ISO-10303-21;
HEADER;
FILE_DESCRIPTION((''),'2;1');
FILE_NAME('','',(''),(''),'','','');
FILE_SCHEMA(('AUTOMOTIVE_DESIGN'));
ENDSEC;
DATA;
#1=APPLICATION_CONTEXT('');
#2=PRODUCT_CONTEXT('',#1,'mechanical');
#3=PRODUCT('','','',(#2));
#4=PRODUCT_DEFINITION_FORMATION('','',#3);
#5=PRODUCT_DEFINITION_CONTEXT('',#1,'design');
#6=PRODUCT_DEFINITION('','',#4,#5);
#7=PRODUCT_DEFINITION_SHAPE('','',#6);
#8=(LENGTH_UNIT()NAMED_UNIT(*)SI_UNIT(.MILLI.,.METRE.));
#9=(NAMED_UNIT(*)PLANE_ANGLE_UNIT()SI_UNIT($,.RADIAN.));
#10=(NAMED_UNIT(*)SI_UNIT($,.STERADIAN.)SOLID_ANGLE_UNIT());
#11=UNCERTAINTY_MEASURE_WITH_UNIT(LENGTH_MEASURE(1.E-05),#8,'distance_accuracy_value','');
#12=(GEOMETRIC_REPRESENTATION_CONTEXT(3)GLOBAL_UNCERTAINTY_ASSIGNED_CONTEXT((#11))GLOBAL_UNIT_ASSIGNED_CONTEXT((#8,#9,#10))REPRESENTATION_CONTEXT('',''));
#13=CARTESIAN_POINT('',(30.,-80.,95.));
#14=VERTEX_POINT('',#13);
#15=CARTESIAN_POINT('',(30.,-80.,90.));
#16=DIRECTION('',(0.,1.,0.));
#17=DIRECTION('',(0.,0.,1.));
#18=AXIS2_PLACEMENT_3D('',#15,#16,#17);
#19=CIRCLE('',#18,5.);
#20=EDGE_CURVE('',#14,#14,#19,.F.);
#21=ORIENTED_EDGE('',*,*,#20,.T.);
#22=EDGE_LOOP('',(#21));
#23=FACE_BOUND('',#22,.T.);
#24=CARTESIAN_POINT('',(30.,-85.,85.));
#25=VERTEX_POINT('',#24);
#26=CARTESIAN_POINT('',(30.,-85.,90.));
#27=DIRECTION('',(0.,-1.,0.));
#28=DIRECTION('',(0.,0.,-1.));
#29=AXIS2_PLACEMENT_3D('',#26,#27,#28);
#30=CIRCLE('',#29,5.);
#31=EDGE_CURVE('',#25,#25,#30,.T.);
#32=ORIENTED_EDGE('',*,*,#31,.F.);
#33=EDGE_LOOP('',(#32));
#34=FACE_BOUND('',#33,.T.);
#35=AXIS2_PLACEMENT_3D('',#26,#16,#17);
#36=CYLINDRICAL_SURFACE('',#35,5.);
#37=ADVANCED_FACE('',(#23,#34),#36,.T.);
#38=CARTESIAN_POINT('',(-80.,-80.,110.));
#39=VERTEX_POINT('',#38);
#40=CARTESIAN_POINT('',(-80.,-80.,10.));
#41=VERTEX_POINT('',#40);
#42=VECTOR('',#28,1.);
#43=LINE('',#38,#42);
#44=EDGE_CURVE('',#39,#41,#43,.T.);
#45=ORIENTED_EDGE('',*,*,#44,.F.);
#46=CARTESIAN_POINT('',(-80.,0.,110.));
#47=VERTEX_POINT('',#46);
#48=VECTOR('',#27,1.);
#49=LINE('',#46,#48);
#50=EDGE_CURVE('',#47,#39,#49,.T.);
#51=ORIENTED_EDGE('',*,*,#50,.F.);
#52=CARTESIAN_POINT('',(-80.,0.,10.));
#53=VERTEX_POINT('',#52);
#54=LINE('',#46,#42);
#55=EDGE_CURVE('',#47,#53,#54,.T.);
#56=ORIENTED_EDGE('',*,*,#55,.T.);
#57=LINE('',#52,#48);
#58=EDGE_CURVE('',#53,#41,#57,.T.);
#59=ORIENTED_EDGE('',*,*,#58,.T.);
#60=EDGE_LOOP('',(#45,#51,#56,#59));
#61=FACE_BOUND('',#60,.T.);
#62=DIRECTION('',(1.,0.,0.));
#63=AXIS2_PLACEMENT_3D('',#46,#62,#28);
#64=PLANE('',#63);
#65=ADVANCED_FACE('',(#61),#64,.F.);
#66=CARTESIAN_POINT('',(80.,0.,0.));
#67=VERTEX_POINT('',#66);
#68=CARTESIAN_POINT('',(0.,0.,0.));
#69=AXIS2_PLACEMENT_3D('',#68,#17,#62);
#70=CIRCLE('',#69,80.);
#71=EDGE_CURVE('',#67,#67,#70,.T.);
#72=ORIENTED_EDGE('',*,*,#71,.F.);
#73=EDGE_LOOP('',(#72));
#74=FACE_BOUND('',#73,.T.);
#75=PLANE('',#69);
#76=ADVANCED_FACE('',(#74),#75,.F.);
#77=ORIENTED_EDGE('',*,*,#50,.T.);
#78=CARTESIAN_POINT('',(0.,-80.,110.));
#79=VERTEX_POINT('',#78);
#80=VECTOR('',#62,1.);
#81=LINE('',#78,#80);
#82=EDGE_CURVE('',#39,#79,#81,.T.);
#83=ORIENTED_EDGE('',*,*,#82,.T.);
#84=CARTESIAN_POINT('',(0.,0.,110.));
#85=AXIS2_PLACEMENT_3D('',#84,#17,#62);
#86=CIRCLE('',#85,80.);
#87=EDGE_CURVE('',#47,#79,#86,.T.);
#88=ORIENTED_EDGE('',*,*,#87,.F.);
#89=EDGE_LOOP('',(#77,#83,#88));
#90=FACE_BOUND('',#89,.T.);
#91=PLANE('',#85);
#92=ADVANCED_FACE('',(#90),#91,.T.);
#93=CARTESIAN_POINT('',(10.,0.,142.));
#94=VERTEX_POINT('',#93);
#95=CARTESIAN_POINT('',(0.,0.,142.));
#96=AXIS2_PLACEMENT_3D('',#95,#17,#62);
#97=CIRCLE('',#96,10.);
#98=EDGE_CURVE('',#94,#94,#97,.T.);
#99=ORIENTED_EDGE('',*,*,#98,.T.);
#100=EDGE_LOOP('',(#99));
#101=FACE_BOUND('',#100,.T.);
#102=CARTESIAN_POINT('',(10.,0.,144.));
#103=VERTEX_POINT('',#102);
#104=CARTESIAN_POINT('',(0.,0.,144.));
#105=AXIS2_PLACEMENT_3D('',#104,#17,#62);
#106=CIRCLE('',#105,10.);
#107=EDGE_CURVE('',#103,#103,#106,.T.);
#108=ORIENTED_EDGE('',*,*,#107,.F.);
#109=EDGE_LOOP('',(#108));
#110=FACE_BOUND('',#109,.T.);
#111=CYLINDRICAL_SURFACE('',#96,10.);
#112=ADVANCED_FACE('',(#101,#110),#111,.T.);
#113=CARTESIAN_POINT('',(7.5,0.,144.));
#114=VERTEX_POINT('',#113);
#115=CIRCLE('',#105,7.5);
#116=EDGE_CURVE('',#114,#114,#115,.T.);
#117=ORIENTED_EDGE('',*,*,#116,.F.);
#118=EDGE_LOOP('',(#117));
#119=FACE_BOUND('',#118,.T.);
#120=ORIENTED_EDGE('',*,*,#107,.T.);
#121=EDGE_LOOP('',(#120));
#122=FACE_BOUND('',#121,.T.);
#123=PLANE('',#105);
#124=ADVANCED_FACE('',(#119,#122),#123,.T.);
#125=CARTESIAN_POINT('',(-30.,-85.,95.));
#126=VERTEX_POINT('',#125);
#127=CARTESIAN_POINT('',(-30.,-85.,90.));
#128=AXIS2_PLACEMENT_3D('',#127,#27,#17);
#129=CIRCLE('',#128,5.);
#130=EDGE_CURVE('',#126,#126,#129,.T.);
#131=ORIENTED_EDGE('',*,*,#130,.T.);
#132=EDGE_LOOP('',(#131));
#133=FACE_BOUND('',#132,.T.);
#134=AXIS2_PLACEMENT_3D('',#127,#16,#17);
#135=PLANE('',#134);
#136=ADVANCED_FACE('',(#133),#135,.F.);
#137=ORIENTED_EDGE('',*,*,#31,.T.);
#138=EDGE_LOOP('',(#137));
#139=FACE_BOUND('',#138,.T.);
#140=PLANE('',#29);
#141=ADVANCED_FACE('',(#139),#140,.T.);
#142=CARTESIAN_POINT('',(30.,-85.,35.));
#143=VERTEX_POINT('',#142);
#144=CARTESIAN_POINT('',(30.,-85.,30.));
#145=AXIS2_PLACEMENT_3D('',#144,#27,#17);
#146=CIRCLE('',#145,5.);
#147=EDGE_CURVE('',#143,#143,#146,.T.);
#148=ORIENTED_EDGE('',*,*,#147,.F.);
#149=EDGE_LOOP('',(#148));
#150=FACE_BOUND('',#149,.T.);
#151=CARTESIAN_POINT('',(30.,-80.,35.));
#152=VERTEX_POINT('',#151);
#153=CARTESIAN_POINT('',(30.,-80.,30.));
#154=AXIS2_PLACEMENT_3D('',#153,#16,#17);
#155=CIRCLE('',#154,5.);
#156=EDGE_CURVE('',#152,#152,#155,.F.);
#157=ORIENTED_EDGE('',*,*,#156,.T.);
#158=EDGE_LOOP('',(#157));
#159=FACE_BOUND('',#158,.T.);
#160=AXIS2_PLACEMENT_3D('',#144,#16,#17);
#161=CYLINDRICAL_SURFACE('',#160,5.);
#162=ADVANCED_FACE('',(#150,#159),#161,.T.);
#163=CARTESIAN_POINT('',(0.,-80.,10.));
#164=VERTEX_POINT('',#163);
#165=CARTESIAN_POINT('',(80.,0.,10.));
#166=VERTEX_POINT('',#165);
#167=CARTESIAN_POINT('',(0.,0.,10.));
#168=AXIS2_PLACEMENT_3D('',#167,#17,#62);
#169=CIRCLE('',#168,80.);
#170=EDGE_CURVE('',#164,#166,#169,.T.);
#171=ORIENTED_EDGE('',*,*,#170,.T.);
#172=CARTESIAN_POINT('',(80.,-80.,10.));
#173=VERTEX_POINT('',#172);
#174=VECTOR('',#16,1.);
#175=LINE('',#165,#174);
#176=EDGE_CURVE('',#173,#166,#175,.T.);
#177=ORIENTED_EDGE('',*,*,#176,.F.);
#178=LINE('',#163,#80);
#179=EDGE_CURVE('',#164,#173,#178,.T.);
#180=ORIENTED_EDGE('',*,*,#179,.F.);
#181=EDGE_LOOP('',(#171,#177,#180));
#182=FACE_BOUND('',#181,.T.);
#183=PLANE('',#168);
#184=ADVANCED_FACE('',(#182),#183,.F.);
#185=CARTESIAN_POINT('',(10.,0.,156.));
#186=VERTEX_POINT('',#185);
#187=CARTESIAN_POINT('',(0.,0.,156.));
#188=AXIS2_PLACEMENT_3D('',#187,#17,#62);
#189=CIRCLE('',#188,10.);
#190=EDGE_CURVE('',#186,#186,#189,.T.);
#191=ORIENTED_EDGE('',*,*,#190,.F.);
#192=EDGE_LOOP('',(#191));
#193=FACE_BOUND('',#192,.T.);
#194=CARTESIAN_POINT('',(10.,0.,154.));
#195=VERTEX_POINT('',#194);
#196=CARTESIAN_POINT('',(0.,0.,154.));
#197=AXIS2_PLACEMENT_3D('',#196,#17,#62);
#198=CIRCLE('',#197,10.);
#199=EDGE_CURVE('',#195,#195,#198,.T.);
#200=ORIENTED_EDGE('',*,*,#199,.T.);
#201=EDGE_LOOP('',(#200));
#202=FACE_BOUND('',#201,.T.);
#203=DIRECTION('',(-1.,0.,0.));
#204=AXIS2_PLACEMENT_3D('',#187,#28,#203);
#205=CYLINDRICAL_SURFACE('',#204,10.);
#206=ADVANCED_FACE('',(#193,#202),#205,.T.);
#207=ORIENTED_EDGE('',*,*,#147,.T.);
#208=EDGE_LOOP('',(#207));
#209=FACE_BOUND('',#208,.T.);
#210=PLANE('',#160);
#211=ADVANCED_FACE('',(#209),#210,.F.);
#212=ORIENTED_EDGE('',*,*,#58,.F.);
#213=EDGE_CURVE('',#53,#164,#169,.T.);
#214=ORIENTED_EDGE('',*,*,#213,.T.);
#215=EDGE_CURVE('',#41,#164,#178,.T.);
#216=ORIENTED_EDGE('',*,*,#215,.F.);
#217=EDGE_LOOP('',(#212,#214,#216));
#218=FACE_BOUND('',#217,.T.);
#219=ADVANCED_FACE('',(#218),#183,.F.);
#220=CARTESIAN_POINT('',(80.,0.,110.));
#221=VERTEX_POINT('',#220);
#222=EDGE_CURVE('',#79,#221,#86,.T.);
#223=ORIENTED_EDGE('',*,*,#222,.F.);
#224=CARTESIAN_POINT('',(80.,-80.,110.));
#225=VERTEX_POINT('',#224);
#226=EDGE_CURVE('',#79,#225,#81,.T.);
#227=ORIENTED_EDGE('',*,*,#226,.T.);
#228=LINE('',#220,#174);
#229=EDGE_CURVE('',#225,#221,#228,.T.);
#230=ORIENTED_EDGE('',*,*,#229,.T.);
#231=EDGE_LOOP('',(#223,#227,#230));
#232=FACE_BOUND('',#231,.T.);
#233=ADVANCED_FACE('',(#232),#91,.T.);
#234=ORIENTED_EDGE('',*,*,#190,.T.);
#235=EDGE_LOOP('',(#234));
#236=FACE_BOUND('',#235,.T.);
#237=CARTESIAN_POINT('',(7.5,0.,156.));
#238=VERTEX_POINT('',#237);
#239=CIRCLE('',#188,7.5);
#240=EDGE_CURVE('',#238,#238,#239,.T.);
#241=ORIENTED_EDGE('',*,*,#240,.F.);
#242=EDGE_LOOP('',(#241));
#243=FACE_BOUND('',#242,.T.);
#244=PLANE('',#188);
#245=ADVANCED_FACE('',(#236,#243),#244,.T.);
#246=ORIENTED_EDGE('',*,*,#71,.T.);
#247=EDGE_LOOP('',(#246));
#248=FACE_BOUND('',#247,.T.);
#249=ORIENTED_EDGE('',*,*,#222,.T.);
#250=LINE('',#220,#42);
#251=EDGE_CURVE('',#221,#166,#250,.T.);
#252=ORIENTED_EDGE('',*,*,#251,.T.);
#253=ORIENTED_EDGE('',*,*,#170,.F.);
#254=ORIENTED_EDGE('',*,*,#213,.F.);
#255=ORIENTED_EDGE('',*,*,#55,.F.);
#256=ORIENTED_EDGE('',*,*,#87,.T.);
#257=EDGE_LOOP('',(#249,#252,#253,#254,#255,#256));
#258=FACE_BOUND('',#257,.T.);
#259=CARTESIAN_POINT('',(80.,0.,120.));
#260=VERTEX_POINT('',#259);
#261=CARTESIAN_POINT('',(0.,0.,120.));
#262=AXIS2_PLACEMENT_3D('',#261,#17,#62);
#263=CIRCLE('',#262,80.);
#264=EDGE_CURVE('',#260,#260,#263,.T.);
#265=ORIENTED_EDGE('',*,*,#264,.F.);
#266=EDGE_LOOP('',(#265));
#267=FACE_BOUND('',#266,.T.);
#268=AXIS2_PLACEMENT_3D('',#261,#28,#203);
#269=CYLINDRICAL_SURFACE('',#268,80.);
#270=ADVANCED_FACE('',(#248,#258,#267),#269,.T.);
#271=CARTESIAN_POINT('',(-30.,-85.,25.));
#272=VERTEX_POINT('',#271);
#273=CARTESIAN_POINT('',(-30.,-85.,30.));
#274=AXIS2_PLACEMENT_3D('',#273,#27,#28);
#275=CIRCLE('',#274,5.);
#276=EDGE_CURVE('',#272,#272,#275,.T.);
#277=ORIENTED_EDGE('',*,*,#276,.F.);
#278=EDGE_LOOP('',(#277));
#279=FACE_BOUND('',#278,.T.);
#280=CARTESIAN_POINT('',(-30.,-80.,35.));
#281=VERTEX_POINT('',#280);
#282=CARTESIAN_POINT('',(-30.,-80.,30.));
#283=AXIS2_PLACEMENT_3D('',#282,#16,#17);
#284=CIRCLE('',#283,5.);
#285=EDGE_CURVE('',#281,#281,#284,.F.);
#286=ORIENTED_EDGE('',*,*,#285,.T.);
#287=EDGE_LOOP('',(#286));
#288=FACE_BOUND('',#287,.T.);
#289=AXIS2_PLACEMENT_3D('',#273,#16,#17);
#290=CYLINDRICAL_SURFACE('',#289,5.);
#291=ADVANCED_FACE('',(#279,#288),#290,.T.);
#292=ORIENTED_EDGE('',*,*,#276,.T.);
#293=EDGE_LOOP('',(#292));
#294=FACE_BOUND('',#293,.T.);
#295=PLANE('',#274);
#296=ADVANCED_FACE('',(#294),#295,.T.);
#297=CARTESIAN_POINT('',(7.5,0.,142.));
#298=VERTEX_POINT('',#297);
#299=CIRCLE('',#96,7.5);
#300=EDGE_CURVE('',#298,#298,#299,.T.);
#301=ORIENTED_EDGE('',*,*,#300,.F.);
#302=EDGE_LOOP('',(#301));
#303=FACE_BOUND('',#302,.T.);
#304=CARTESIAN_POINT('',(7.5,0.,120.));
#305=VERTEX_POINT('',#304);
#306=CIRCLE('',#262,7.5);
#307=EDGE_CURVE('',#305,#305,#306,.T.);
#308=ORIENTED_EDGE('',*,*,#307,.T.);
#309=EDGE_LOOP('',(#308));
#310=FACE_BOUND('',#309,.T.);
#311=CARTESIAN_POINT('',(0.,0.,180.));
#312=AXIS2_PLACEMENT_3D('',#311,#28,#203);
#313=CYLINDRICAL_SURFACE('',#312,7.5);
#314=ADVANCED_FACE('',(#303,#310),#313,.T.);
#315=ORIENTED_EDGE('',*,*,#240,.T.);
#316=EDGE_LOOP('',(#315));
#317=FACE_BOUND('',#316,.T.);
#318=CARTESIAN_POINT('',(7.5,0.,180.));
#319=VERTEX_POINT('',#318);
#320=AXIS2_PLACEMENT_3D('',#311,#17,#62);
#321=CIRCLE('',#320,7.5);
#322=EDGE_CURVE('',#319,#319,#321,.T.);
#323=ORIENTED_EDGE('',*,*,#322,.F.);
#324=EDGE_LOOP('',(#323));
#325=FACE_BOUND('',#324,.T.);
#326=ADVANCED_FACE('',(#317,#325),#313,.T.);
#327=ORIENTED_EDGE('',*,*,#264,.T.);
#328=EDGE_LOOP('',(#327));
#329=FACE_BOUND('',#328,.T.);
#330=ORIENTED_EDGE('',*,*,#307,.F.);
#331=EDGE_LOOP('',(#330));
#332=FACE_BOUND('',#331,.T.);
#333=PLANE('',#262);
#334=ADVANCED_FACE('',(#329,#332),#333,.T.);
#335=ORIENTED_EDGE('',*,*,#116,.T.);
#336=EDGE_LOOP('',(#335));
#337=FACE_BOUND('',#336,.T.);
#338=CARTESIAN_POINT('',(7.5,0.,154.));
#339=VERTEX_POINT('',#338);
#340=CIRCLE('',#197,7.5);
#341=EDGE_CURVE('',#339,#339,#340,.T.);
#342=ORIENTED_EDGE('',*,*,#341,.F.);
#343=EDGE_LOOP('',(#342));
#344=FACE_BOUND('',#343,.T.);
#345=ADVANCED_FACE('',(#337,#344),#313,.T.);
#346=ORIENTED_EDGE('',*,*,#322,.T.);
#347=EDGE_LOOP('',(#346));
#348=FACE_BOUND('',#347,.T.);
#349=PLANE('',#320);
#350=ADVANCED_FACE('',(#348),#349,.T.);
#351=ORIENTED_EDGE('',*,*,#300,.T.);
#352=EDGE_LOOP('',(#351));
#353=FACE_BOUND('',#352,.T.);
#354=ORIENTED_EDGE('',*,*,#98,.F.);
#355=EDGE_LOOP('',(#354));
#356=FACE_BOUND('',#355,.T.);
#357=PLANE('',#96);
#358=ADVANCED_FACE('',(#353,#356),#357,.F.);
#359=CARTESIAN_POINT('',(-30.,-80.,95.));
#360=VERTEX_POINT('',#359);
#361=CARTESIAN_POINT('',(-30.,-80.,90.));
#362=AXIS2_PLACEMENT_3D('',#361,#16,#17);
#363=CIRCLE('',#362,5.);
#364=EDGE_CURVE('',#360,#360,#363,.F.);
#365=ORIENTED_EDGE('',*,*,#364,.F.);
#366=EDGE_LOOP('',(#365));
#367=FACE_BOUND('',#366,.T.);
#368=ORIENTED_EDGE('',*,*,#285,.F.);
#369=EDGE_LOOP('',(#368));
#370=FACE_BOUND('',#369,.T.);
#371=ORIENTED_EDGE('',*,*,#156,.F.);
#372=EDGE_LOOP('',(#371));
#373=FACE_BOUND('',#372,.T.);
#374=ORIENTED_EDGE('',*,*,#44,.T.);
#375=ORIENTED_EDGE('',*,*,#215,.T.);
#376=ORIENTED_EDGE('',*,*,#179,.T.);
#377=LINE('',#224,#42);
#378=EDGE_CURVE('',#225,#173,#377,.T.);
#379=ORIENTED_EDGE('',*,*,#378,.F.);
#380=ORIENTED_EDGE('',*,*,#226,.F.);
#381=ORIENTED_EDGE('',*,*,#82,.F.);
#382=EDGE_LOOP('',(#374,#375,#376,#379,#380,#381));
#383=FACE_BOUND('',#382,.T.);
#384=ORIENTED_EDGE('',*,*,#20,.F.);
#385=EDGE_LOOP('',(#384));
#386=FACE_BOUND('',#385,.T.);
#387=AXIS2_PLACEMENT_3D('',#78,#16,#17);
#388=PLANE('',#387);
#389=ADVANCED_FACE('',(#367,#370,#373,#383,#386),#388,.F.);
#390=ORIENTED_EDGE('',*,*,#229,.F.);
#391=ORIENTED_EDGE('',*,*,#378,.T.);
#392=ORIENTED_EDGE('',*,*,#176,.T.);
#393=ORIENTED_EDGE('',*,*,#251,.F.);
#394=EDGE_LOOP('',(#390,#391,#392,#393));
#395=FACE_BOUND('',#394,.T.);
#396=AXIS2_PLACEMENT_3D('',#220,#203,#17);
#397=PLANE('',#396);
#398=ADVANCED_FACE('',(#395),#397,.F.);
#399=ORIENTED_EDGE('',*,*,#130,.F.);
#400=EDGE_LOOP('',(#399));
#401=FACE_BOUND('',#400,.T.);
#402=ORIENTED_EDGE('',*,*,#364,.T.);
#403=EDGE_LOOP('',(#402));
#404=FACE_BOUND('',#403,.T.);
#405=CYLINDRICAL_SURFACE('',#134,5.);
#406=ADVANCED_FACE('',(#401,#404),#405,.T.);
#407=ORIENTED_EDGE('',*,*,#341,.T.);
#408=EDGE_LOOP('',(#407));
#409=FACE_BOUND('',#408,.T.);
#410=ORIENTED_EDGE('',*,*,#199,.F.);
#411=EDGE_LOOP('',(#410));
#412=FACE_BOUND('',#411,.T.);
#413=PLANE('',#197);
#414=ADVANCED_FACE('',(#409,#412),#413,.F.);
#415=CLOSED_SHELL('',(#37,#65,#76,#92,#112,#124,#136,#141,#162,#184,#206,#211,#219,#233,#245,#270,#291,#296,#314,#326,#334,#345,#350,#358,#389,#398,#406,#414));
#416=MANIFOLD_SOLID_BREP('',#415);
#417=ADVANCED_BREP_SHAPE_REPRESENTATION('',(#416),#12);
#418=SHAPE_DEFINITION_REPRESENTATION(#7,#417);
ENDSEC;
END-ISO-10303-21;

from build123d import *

# Parameters (mm, degrees)
IZIM2_R                     = 80
Y_KSEKLIK_EKSTR_ZYON1_DEPTH = 120
Y_KSEKLIK_EKSTR_ZYON3_START = 10
Y_KSEKLIK_EKSTR_ZYON3_DEPTH = 100
IZIM5_R                     = 5
Y_KSEKLIK_EKSTR_ZYON4_DEPTH = 5
IZIM8_R                     = 7.5
Y_KSEKLIK_EKSTR_ZYON6_DEPTH = 60
Y_KSEKLIK_EKSTR_ZYON7_START = 24
IZIM9_R                     = 10
Y_KSEKLIK_EKSTR_ZYON7_DEPTH = 2
Y_KSEKLIK_EKSTR_ZYON8_START = 12
IZIM10_R                    = 10
Y_KSEKLIK_EKSTR_ZYON8_DEPTH = 2


with BuildPart() as part:
    # Çizim2 → Yükseklik-Ekstrüzyon1 (new body)
    with BuildSketch(Plane.XY):
        Circle(IZIM2_R)
    extrude(amount=Y_KSEKLIK_EKSTR_ZYON1_DEPTH)

    # Çizim3 → Yükseklik-Ekstrüzyon3 (add)
    with BuildSketch(Plane.XY.offset(Y_KSEKLIK_EKSTR_ZYON3_START)):
        with BuildLine():
            ThreePointArc((80, 0), (56.568542608, -56.568542382), (3.2e-07, -80))
            Line((3.2e-07, -80), (80, -80))
            Line((80, -80), (80, 0))
        make_face()
        with BuildLine():
            ThreePointArc((3.2e-07, -80), (-56.568542382, -56.568542608), (-80, 0))
            Line((-80, 0), (-80, -80))
            Line((-80, -80), (3.2e-07, -80))
        make_face()
    extrude(amount=Y_KSEKLIK_EKSTR_ZYON3_DEPTH)

    # Çizim5 → Yükseklik-Ekstrüzyon4 (add)
    with BuildSketch(Plane.XZ.offset(80)):
        with Locations(Location((30, 90, 0), (0, 0, 90))):
            Circle(IZIM5_R)
        with Locations(Location((30, 30, 0), (0, 0, 90))):
            Circle(IZIM5_R)
        with Locations(Location((-30, 90, 0), (0, 0, 90))):
            Circle(IZIM5_R)
        with Locations(Location((-30, 30, 0), (0, 0, 90))):
            Circle(IZIM5_R)
    extrude(amount=Y_KSEKLIK_EKSTR_ZYON4_DEPTH)

    # Çizim8 → Yükseklik-Ekstrüzyon6 (add)
    with BuildSketch(Plane.XY.offset(120)):
        Circle(IZIM8_R)
    extrude(amount=Y_KSEKLIK_EKSTR_ZYON6_DEPTH)

    # Çizim9 → Yükseklik-Ekstrüzyon7 (add)
    with BuildSketch(Plane.XY.offset(120).offset(Y_KSEKLIK_EKSTR_ZYON7_START)):
        Circle(IZIM9_R)
    extrude(amount=-Y_KSEKLIK_EKSTR_ZYON7_DEPTH)

    # Çizim10 → Yükseklik-Ekstrüzyon8 (add)
    with BuildSketch(Plane.XY.offset(144).offset(Y_KSEKLIK_EKSTR_ZYON8_START)):
        Circle(IZIM10_R)
    extrude(amount=-Y_KSEKLIK_EKSTR_ZYON8_DEPTH)


solid = part.part
